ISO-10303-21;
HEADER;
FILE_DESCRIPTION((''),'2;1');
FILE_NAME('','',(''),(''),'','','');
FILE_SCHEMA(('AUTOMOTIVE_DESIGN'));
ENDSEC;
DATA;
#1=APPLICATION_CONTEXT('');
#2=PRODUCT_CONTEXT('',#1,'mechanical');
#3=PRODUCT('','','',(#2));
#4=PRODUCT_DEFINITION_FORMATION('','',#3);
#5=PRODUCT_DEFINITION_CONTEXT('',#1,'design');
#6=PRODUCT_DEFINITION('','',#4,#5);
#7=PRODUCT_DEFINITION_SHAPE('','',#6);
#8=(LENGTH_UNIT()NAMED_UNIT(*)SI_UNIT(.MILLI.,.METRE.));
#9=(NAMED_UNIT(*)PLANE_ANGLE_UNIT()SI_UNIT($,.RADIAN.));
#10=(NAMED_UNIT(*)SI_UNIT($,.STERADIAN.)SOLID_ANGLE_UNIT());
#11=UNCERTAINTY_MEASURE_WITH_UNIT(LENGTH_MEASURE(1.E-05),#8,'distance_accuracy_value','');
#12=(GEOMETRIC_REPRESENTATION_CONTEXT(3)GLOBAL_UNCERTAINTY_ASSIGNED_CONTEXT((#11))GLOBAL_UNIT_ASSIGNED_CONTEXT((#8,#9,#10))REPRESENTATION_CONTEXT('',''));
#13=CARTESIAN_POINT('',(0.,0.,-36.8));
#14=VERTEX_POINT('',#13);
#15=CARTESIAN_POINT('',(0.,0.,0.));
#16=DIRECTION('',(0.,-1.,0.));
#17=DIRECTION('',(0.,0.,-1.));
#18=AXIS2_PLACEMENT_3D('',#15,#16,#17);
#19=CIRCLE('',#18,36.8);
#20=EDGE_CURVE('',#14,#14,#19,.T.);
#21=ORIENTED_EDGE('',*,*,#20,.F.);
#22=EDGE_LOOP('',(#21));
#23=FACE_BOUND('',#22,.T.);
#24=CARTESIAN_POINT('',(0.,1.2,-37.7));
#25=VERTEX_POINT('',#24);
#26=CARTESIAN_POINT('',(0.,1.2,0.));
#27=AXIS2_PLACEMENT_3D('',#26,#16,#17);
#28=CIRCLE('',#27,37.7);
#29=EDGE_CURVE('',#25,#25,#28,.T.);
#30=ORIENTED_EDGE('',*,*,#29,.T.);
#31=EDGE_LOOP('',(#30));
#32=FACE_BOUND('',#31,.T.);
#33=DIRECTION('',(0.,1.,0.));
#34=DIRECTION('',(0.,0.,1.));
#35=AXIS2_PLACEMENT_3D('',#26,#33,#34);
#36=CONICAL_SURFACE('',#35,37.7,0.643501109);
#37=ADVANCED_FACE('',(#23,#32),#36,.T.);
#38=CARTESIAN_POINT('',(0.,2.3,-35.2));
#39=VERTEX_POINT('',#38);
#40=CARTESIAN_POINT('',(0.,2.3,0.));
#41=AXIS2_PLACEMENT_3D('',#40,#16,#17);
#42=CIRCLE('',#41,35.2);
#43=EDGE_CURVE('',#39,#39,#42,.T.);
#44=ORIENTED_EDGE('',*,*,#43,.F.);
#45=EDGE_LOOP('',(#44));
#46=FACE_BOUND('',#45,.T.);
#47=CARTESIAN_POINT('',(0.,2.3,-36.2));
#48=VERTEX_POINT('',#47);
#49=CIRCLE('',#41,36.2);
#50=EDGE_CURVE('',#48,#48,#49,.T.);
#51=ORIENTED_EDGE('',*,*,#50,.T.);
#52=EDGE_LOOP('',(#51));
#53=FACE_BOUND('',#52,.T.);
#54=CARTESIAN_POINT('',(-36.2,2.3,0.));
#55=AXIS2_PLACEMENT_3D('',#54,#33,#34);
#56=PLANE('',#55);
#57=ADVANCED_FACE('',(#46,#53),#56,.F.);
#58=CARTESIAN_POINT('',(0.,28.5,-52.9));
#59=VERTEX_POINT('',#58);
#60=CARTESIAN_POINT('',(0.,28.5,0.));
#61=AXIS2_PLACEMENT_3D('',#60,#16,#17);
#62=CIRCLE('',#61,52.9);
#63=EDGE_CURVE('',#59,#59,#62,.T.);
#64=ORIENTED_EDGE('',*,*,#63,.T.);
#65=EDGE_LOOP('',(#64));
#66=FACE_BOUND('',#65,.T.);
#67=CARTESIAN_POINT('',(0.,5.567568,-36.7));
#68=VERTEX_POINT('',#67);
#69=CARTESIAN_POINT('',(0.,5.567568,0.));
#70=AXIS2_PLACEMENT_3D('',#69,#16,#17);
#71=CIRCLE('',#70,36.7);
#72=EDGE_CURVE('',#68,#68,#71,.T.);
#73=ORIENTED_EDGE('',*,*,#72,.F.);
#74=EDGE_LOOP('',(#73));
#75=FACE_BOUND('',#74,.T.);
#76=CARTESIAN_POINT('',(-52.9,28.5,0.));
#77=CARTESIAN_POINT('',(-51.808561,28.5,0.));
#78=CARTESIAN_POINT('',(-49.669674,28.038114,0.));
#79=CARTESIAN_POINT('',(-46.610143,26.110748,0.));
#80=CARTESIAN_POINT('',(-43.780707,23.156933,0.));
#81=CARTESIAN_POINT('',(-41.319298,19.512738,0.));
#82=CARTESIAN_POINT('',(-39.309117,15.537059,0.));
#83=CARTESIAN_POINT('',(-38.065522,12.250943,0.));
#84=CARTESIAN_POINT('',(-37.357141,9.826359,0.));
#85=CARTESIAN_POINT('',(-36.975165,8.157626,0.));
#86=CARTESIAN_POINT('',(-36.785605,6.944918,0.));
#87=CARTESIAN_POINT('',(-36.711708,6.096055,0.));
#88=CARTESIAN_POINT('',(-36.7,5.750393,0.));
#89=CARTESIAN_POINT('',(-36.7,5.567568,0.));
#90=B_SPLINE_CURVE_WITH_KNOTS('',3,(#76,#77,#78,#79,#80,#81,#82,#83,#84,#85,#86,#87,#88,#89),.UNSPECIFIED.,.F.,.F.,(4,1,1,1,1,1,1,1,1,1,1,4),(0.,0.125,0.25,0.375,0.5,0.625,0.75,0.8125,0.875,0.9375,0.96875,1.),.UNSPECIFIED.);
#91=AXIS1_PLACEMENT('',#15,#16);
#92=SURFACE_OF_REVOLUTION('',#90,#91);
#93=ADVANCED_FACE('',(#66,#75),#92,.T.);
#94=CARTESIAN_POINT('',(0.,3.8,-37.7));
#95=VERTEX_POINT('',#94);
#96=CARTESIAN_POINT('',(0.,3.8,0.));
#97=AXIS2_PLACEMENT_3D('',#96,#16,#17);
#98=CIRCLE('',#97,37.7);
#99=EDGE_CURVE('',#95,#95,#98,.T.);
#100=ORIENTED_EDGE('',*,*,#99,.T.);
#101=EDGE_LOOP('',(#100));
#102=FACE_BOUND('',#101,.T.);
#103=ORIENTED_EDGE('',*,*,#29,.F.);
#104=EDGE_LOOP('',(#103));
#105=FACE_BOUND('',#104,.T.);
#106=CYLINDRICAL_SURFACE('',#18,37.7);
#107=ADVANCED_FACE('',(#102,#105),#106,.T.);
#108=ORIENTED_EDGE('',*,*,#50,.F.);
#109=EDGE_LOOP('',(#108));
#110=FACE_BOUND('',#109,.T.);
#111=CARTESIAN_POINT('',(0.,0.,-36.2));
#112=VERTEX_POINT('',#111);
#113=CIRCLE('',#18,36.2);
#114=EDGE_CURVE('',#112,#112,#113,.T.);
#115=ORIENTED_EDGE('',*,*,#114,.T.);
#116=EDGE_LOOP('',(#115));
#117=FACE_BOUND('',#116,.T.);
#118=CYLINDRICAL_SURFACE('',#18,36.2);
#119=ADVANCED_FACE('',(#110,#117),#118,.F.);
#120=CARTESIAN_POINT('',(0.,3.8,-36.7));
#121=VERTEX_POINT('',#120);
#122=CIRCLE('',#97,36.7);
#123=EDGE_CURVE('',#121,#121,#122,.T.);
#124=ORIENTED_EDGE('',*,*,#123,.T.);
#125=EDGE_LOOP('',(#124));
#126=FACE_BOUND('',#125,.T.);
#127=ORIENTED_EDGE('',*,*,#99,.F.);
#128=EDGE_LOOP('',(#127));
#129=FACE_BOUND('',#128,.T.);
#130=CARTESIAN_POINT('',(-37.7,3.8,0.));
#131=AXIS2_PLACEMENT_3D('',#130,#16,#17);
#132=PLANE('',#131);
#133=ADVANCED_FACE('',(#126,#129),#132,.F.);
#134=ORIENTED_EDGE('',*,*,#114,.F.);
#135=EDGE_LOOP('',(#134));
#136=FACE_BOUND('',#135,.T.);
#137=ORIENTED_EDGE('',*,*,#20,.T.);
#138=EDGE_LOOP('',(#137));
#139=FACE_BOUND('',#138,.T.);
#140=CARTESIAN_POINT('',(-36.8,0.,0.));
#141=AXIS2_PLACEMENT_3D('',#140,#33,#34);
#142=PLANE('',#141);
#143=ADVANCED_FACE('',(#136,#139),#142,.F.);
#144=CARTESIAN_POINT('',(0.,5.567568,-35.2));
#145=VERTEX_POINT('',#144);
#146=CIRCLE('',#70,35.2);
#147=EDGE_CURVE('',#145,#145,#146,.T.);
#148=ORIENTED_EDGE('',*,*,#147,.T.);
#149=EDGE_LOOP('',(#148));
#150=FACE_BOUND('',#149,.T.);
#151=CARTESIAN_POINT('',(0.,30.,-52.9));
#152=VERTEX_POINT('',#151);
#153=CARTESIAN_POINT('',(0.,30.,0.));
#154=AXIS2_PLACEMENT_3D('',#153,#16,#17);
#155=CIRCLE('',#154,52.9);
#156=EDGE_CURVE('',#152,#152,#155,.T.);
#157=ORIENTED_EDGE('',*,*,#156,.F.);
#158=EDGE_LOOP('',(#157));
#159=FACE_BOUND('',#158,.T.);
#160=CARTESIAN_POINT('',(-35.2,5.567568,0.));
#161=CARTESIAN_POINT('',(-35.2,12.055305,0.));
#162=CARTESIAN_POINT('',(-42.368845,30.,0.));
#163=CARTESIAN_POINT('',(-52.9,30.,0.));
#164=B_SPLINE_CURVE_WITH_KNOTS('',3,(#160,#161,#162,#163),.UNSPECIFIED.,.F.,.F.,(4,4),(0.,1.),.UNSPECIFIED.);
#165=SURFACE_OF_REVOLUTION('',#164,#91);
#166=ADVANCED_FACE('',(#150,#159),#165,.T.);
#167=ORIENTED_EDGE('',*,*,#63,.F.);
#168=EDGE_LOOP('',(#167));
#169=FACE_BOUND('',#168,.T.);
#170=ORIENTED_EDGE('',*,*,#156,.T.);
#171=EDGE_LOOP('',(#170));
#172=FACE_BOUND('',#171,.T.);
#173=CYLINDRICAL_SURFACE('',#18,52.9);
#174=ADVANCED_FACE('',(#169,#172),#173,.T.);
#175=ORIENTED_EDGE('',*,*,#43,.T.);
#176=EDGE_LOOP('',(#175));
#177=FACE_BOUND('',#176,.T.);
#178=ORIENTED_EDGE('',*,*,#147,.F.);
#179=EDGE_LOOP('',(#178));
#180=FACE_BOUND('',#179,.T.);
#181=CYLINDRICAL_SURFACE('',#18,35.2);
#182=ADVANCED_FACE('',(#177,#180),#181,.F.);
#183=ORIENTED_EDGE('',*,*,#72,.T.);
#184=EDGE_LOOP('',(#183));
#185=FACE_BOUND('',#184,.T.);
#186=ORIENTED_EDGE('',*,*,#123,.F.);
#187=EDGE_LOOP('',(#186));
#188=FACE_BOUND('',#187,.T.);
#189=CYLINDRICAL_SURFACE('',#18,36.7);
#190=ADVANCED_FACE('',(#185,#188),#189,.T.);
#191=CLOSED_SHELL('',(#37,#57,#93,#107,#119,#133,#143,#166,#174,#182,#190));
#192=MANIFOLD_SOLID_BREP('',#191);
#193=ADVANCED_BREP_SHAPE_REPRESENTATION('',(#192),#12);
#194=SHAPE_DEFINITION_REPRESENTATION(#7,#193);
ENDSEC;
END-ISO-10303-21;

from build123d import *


with BuildPart() as part:
    # Sketch1 → Revolve1 (revolve)
    with BuildSketch(Plane.XY, mode=Mode.PRIVATE) as revolve1_sk:
        with BuildLine():
            Line((-36.8, 0), (-36.2, 0))
            Line((-36.2, 0), (-36.2, 2.3))
            Line((-36.2, 2.3), (-35.2, 2.3))
            Line((-35.2, 2.3), (-35.2, 5.567567568))
            add(Edge.make_bspline(
                [(-35.2, 5.567567568), (-35.2, 12.055305215), (-42.368844713, 30), (-52.9, 30)],
                knots=[0, 0, 0, 0, 1, 1, 1, 1], degree=3))
            Line((-52.9, 30), (-52.9, 28.5))
            add(Edge.make_bspline(
                [(-36.7, 5.567567568), (-36.7, 5.750392821), (-36.711708248, 6.096054894), (-36.785605066, 6.944918159), (-36.975164747, 8.157626022), (-37.357141313, 9.826359164), (-38.065522063, 12.250943187), (-39.309117401, 15.537059232), (-41.319298351, 19.512738418), (-43.780706571, 23.156932853), (-46.610142999, 26.110747792), (-49.669673513, 28.038114203), (-51.808561364, 28.5), (-52.9, 28.5)],
                knots=[0, 0, 0, 0, 0.03125, 0.0625, 0.125, 0.1875, 0.25, 0.375, 0.5, 0.625, 0.75, 0.875, 1, 1, 1, 1], degree=3))
            Line((-36.7, 5.567567568), (-36.7, 3.8))
            Line((-36.7, 3.8), (-37.7, 3.8))
            Line((-37.7, 3.8), (-37.7, 1.2))
            Line((-37.7, 1.2), (-36.8, 0))
        make_face()
    revolve(revolve1_sk.sketch.rotate(Axis((0, 0, 0), (0, 1, 0)), 270), axis=Axis((0, 0, 0), (0, 1, 0)))


solid = part.part
